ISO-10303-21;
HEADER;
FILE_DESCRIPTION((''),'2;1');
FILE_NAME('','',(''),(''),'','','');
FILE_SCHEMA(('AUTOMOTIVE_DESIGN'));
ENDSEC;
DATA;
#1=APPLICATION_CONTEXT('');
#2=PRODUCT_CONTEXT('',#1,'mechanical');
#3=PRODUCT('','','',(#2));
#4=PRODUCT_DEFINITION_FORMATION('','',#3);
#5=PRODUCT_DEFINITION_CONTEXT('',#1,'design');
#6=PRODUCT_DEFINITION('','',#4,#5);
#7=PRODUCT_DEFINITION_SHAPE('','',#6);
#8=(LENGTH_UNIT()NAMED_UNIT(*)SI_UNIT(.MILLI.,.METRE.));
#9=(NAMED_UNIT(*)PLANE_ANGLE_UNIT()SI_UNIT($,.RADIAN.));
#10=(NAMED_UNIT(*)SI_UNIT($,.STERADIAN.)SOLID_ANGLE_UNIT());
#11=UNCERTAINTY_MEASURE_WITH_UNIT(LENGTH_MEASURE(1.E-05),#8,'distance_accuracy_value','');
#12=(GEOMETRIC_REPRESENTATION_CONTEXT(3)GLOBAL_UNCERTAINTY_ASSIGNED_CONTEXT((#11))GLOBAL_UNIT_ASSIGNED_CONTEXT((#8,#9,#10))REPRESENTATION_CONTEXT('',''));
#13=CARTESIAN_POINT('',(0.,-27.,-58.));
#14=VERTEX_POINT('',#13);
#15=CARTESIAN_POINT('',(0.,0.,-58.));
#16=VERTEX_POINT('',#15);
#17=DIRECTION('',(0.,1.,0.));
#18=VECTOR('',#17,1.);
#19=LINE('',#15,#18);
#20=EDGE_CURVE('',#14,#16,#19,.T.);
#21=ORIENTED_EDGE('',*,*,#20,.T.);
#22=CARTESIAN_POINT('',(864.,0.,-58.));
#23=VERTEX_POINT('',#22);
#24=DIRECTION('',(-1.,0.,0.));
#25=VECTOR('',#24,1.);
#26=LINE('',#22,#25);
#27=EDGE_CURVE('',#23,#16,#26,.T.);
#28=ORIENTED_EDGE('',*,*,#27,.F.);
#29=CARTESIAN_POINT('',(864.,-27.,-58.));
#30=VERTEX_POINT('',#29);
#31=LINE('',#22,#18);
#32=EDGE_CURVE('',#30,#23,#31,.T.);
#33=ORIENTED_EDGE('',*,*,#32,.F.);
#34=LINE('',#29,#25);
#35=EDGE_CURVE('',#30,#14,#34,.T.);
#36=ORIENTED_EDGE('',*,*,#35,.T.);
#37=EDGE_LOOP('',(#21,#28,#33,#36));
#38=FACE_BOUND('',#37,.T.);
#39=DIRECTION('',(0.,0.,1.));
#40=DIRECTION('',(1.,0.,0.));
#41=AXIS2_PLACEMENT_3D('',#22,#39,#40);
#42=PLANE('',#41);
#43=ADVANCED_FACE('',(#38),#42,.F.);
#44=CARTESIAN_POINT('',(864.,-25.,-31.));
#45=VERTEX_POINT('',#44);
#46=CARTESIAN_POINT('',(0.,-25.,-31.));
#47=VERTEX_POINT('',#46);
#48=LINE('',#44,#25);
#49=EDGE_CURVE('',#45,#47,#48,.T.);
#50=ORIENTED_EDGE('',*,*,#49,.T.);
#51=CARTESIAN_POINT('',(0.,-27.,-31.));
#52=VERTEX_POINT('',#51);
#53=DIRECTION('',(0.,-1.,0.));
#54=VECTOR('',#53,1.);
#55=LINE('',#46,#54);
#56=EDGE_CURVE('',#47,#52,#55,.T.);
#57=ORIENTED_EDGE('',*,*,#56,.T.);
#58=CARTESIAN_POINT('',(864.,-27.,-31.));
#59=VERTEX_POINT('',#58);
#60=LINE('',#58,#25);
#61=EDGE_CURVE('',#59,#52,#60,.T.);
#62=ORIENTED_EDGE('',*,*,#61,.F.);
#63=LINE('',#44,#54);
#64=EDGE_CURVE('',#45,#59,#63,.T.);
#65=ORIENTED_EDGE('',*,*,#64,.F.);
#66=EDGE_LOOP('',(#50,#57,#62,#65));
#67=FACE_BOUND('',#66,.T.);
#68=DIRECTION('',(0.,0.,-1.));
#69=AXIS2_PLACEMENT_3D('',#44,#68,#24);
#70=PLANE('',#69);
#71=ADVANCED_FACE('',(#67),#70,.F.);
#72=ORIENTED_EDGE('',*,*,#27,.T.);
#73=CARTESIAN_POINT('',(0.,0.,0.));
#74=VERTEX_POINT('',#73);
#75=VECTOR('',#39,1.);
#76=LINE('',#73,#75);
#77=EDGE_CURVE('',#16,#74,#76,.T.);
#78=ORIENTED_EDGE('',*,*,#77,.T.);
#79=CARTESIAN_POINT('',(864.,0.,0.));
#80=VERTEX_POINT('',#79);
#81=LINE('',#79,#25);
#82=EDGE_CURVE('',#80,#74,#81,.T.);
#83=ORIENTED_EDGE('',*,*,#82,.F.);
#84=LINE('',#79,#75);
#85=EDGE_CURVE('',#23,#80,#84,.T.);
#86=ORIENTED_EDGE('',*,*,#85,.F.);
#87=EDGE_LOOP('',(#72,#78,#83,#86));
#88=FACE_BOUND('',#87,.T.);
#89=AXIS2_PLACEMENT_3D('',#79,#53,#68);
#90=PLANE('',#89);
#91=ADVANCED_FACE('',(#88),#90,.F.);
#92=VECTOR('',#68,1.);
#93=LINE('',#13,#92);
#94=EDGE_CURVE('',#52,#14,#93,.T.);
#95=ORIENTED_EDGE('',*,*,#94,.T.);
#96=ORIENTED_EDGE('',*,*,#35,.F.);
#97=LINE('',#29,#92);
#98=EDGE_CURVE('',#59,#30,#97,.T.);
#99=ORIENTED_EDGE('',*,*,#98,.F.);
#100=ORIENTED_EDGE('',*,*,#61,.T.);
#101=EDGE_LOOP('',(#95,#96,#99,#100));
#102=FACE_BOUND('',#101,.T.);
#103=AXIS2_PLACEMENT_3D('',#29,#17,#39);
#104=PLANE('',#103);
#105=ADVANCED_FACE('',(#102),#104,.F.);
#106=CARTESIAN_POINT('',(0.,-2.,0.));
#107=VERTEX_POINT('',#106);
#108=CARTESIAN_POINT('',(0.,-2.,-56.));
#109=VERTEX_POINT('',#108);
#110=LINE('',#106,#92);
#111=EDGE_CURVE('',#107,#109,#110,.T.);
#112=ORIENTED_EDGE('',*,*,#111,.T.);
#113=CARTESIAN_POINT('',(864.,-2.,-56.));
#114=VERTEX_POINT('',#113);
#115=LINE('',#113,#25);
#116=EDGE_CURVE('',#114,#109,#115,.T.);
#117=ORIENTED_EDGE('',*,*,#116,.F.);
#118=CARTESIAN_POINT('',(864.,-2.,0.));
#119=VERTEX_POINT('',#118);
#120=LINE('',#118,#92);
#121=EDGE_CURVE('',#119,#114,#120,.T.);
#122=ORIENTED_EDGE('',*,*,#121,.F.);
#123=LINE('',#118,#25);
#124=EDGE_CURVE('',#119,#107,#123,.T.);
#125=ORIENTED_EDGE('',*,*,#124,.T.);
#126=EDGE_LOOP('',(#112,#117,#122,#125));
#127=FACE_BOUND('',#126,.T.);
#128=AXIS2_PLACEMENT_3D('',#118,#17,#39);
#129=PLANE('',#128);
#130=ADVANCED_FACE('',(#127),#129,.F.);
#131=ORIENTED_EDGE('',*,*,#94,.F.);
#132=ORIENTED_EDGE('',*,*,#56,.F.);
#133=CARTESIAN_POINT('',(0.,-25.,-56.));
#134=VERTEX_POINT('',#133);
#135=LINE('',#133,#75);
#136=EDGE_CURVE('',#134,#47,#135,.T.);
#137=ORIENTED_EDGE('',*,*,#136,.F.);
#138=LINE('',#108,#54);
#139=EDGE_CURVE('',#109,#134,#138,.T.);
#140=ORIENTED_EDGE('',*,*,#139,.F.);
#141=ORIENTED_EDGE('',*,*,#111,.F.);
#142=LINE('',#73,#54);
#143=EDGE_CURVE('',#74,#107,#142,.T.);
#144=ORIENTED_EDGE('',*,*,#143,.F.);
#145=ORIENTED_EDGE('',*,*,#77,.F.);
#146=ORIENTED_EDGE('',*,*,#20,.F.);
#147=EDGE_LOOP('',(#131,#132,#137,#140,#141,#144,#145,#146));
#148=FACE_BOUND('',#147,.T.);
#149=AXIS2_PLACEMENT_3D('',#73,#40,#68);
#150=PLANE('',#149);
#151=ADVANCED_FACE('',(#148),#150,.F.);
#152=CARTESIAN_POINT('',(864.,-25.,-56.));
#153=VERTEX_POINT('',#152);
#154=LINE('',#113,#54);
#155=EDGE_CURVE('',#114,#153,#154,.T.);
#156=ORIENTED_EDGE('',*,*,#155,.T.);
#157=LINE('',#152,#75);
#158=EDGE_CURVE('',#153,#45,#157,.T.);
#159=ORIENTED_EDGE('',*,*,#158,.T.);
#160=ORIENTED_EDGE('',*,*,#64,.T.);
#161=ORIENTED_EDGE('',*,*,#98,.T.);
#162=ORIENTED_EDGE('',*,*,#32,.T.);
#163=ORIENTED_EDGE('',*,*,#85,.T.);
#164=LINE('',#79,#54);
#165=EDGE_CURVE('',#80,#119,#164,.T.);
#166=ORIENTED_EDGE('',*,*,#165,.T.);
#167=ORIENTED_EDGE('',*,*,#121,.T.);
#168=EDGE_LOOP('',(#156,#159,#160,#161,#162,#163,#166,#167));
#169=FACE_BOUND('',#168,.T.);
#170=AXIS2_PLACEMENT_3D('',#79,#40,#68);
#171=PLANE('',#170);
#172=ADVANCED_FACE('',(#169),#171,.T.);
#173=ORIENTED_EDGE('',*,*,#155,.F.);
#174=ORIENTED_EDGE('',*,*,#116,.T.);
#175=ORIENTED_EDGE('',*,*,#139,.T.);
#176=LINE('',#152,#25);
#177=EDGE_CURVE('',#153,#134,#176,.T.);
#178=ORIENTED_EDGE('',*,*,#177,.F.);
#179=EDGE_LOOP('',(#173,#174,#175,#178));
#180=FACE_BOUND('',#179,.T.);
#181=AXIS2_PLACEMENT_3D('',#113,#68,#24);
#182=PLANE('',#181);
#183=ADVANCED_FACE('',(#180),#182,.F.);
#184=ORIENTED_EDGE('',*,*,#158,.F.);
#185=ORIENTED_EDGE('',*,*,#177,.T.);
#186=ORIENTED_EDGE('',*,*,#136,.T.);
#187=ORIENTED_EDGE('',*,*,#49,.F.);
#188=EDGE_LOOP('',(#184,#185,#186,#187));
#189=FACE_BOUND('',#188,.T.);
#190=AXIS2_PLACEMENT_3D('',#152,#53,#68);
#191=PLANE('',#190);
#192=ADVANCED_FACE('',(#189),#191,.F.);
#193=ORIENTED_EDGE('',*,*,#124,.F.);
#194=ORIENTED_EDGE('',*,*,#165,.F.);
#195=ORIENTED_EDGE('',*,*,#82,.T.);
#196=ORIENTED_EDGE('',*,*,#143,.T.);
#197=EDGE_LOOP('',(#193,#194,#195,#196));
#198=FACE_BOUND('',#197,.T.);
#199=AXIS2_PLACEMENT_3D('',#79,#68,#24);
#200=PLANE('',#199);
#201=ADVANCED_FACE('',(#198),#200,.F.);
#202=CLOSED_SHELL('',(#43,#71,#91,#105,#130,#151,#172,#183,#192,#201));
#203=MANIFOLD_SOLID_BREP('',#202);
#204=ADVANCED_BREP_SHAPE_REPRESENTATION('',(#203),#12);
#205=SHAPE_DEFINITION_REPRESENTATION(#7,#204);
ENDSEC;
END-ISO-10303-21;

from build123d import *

# Parameters (mm, degrees)
BOSS_EXTRUDE1_DEPTH = 864


with BuildPart() as part:
    # Sketch1 → Boss-Extrude1 (new body)
    with BuildSketch(Plane(origin=(0, 0, 0), x_dir=(0, 0, -1), z_dir=(1, 0, 0))):
        Polygon((0, 0), (58, 0), (58, -27), (31, -27), (31, -25), (56, -25), (56, -2), (0, -2), align=None)
    extrude(amount=BOSS_EXTRUDE1_DEPTH)


solid = part.part
